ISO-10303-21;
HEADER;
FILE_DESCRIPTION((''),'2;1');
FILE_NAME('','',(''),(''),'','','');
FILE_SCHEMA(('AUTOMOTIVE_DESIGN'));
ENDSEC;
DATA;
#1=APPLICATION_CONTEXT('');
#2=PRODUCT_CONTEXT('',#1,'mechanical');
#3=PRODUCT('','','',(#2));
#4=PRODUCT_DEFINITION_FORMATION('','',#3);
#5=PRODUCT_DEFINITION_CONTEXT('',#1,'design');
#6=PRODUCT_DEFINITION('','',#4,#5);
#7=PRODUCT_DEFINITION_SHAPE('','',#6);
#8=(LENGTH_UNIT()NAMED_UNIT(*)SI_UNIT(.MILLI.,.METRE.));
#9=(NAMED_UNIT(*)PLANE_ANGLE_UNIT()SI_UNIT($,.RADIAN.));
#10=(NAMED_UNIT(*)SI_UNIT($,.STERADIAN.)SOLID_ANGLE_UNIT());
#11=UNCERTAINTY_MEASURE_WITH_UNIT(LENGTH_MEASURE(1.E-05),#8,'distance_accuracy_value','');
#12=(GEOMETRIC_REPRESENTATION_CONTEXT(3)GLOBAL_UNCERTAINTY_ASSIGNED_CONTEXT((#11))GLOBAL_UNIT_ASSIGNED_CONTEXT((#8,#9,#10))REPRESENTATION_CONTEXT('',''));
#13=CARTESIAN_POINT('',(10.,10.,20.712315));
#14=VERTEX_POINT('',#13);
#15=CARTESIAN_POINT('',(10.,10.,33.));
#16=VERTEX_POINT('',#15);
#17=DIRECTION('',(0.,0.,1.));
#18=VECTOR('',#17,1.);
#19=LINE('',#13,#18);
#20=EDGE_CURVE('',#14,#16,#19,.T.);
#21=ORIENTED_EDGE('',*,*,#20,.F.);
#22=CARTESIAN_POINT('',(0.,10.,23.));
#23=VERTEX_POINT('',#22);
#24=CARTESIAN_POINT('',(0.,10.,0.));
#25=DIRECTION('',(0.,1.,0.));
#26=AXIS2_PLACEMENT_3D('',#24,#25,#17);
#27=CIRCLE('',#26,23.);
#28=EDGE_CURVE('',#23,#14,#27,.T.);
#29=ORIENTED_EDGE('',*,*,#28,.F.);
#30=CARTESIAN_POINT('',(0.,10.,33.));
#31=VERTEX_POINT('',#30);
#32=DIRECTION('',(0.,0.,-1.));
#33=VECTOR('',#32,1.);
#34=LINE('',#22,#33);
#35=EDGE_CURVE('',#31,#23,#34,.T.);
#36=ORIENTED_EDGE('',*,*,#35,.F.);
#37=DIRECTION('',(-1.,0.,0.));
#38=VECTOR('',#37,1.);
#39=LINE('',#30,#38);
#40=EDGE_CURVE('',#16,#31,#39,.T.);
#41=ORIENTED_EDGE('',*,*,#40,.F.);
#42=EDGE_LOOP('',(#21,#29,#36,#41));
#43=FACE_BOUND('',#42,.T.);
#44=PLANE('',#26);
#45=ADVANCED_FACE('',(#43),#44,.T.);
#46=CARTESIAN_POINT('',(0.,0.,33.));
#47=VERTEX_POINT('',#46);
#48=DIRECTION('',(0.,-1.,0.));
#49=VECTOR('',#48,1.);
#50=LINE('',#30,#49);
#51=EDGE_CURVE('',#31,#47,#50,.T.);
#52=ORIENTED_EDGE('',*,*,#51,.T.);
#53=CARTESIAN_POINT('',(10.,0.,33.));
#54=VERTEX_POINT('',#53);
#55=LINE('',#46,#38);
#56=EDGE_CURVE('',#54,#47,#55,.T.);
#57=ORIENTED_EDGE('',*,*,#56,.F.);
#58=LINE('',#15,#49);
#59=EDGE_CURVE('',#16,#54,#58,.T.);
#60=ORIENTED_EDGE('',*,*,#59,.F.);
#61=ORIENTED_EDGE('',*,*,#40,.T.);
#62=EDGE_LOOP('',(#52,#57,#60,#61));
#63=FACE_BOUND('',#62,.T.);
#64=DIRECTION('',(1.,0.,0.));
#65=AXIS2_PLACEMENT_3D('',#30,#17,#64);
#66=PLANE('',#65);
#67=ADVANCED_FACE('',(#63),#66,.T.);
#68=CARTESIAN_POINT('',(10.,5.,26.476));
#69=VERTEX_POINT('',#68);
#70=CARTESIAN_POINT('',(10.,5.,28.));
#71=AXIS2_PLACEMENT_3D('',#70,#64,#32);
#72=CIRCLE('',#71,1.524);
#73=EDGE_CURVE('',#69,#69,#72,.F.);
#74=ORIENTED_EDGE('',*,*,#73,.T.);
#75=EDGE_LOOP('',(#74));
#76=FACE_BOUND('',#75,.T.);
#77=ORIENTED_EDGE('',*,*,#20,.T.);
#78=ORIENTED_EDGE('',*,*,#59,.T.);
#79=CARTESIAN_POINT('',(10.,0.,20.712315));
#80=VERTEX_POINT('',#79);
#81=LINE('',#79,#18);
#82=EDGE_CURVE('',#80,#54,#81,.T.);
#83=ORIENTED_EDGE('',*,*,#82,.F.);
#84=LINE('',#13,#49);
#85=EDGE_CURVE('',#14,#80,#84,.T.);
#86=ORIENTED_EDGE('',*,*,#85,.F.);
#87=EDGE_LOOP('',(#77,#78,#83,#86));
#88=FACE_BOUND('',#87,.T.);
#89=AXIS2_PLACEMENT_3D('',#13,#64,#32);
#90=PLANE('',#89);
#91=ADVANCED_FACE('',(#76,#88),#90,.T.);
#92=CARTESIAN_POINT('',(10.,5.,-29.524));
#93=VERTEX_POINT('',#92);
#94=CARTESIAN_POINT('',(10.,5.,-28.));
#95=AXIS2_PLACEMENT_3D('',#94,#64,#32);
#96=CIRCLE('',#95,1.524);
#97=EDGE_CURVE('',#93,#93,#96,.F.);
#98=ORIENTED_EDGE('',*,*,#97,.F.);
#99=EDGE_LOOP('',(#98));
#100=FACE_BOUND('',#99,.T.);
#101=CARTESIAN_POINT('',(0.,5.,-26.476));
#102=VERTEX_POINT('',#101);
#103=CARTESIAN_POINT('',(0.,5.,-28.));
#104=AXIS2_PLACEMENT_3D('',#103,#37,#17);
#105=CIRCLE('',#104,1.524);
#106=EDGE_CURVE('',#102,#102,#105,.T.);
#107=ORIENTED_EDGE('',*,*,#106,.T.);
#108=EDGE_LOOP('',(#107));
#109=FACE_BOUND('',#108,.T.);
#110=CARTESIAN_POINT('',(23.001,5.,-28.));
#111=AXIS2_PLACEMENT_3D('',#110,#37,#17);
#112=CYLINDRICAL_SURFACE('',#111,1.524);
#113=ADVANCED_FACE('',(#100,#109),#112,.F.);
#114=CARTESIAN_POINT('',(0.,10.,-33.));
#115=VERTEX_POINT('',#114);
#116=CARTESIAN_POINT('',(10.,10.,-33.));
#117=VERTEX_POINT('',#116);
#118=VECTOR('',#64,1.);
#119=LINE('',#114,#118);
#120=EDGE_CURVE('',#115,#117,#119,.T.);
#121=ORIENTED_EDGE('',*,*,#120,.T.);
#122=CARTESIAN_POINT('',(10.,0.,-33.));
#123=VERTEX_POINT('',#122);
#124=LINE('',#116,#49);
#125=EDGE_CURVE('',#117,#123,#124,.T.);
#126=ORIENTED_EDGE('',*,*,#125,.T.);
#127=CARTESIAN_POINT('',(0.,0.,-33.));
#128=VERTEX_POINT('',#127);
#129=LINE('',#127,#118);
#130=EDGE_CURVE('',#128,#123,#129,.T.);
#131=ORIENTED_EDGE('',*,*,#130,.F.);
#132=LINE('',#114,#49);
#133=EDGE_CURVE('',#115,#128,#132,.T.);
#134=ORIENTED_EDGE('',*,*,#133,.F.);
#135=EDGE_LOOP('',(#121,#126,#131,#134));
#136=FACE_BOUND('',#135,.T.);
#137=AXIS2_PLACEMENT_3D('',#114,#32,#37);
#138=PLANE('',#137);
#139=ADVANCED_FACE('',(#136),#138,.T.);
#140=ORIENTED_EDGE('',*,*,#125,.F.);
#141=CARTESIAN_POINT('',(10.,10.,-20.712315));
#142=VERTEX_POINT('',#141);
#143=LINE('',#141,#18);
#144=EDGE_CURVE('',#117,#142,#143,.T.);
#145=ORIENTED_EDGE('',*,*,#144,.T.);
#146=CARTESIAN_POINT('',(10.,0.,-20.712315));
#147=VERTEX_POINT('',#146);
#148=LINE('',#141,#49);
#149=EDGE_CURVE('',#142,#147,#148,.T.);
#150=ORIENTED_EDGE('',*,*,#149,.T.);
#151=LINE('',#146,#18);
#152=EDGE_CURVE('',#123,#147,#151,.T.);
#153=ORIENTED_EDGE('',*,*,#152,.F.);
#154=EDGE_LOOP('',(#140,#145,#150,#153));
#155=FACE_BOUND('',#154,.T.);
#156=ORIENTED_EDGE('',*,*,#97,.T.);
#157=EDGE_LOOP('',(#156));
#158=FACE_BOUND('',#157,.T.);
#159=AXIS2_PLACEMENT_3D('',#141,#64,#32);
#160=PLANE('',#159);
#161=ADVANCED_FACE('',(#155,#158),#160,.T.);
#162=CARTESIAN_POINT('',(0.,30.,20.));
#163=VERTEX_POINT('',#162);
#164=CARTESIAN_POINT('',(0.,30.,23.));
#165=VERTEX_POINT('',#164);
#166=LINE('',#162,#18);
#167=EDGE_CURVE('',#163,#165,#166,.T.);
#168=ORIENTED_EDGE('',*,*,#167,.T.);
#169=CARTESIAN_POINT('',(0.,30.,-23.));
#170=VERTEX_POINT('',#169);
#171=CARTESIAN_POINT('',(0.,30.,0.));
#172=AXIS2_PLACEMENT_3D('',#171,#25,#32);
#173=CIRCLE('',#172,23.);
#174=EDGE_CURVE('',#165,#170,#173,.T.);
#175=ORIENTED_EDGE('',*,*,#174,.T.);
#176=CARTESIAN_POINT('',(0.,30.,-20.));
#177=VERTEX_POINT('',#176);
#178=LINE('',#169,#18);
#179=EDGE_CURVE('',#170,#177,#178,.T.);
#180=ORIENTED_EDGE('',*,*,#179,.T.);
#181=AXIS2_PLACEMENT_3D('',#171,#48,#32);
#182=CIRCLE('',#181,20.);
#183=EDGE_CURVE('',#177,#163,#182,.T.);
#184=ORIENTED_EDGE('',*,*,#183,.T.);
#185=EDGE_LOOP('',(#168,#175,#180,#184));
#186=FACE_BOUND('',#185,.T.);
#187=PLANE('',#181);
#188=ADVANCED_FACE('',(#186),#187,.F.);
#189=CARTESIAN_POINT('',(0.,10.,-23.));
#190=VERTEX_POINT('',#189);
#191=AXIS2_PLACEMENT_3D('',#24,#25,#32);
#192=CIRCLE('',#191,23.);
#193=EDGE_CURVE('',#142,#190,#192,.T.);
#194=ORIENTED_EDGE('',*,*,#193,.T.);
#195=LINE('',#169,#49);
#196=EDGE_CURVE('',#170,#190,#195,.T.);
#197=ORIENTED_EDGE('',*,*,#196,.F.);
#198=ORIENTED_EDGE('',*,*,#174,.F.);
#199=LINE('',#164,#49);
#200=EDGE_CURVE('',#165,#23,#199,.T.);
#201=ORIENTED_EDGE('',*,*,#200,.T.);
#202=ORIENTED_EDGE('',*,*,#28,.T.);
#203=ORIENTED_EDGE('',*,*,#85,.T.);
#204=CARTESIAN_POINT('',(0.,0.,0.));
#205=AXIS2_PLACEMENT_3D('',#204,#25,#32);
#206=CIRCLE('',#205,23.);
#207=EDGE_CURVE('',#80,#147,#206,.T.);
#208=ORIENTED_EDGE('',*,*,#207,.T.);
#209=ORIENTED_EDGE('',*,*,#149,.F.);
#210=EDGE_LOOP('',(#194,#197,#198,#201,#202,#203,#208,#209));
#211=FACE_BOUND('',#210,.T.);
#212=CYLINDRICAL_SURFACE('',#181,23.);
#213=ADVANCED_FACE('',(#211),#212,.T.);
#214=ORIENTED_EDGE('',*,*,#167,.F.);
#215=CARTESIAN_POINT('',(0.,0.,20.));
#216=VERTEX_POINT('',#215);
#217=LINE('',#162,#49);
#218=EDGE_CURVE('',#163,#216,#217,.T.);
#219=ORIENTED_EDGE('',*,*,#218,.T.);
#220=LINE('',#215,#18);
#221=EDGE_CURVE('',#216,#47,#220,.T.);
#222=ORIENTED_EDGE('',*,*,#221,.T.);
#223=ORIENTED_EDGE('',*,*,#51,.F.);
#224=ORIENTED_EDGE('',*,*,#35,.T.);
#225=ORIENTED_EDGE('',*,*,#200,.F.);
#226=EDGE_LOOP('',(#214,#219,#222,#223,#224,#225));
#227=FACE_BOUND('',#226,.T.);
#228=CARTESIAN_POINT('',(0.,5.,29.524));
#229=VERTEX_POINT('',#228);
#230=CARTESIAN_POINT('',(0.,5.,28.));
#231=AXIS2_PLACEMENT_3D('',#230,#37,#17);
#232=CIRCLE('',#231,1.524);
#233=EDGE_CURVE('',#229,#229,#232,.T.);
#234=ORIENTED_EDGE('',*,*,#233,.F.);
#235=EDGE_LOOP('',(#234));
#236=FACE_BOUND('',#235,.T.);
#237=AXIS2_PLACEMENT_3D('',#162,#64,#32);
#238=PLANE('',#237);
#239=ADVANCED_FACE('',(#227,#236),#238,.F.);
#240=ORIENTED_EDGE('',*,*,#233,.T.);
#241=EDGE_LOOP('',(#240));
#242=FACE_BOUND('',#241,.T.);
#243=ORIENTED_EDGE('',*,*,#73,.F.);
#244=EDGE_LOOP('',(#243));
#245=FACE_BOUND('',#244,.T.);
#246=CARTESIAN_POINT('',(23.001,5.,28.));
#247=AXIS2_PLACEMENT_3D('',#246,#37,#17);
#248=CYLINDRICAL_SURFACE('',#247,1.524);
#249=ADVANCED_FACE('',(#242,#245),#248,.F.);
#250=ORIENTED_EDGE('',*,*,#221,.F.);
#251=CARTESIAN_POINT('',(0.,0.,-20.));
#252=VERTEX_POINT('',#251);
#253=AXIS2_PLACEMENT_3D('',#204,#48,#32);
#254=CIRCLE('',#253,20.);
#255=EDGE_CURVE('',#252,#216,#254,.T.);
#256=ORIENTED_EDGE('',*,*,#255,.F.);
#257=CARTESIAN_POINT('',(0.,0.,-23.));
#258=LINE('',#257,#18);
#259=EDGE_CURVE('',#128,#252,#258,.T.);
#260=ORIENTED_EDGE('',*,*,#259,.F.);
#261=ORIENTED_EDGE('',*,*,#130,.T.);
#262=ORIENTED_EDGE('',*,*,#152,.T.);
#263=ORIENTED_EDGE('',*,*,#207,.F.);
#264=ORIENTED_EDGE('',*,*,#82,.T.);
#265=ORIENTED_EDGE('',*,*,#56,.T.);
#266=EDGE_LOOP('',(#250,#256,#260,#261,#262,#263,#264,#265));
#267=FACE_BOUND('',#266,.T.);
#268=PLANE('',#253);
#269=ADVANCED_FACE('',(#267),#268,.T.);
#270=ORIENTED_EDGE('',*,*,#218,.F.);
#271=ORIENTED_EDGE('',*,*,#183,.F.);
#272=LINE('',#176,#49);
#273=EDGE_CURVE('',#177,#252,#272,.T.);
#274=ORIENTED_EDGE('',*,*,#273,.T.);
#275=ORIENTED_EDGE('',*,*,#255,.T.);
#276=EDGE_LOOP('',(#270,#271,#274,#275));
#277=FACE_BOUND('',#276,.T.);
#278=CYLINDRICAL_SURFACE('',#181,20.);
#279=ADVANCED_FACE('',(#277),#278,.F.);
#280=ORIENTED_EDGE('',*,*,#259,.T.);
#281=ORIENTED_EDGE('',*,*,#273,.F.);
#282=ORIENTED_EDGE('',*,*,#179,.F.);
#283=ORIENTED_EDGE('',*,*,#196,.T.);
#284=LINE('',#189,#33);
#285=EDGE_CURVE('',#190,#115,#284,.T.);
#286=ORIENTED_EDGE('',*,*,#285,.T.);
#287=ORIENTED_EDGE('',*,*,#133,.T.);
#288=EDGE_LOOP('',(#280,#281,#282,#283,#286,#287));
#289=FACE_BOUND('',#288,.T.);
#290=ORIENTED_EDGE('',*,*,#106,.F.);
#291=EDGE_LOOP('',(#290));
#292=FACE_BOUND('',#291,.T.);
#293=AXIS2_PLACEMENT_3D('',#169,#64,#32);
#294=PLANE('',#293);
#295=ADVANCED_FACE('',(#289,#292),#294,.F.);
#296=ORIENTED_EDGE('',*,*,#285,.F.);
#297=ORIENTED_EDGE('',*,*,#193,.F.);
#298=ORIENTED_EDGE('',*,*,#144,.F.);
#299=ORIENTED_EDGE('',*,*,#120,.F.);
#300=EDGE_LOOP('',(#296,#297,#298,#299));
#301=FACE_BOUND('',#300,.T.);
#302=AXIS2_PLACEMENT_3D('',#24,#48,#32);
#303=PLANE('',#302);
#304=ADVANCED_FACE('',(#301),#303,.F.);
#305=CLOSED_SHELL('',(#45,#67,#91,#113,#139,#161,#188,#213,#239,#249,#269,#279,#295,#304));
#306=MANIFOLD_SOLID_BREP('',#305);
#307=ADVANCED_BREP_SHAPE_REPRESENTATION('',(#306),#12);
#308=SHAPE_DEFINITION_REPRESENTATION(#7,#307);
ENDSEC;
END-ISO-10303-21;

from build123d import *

# Parameters (mm, degrees)
TUBE_DEPTH         = 30
TERMINALS_DEPTH    = 10
CUT_EXTRUDE1_REACH = 25
SKETCH3_R          = 1.524


with BuildPart() as part:
    # Sketch1 → Tube (new body)
    with BuildSketch(Plane(origin=(0, 0, 0), x_dir=(1, 0, 0), z_dir=(0, 1, 0))):
        with BuildLine():
            Line((0, 23), (0, 20))
            ThreePointArc((0, 20), (20, 0), (0, -20))
            Line((0, -20), (0, -23))
            ThreePointArc((0, -23), (23, 0), (0, 23))
        make_face()
    extrude(amount=TUBE_DEPTH)

    # Sketch2 → Terminals (add)
    with BuildSketch(Plane(origin=(0, 0, 0), x_dir=(-1, 0, 0), z_dir=(0, -1, 0))):
        with BuildLine():
            Line((0, -23), (0, -33))
            Line((0, -33), (-10, -33))
            Line((-10, -33), (-10, -20.712315177))
            ThreePointArc((-10, -20.712315177), (-5.129169081, -22.420785547), (0, -23))
        make_face()
        with BuildLine():
            Line((0, 23), (0, 33))
            Line((0, 33), (-10, 33))
            Line((-10, 33), (-10, 20.712315177))
            ThreePointArc((-10, 20.712315177), (-5.129169081, 22.420785547), (0, 23))
        make_face()
    extrude(amount=-TERMINALS_DEPTH)

    # Sketch3 → Cut-Extrude1 (cut, up to next)
    with BuildSketch(Plane.ZY, mode=Mode.PRIVATE) as cut_extrude1_sk1:
        with Locations((-28, 5)):
            Circle(SKETCH3_R)
    cut_extrude1_tool1 = extrude(cut_extrude1_sk1.sketch, amount=-CUT_EXTRUDE1_REACH, mode=Mode.PRIVATE) & part.part
    add(cut_extrude1_tool1.solids().sort_by_distance((0, 5, -28))[0], mode=Mode.SUBTRACT)
    # Sketch3 → Cut-Extrude1 (cut, up to next)
    with BuildSketch(Plane.ZY, mode=Mode.PRIVATE) as cut_extrude1_sk2:
        with Locations((28, 5)):
            Circle(SKETCH3_R)
    cut_extrude1_tool2 = extrude(cut_extrude1_sk2.sketch, amount=-CUT_EXTRUDE1_REACH, mode=Mode.PRIVATE) & part.part
    add(cut_extrude1_tool2.solids().sort_by_distance((0, 5, 28))[0], mode=Mode.SUBTRACT)


solid = part.part
